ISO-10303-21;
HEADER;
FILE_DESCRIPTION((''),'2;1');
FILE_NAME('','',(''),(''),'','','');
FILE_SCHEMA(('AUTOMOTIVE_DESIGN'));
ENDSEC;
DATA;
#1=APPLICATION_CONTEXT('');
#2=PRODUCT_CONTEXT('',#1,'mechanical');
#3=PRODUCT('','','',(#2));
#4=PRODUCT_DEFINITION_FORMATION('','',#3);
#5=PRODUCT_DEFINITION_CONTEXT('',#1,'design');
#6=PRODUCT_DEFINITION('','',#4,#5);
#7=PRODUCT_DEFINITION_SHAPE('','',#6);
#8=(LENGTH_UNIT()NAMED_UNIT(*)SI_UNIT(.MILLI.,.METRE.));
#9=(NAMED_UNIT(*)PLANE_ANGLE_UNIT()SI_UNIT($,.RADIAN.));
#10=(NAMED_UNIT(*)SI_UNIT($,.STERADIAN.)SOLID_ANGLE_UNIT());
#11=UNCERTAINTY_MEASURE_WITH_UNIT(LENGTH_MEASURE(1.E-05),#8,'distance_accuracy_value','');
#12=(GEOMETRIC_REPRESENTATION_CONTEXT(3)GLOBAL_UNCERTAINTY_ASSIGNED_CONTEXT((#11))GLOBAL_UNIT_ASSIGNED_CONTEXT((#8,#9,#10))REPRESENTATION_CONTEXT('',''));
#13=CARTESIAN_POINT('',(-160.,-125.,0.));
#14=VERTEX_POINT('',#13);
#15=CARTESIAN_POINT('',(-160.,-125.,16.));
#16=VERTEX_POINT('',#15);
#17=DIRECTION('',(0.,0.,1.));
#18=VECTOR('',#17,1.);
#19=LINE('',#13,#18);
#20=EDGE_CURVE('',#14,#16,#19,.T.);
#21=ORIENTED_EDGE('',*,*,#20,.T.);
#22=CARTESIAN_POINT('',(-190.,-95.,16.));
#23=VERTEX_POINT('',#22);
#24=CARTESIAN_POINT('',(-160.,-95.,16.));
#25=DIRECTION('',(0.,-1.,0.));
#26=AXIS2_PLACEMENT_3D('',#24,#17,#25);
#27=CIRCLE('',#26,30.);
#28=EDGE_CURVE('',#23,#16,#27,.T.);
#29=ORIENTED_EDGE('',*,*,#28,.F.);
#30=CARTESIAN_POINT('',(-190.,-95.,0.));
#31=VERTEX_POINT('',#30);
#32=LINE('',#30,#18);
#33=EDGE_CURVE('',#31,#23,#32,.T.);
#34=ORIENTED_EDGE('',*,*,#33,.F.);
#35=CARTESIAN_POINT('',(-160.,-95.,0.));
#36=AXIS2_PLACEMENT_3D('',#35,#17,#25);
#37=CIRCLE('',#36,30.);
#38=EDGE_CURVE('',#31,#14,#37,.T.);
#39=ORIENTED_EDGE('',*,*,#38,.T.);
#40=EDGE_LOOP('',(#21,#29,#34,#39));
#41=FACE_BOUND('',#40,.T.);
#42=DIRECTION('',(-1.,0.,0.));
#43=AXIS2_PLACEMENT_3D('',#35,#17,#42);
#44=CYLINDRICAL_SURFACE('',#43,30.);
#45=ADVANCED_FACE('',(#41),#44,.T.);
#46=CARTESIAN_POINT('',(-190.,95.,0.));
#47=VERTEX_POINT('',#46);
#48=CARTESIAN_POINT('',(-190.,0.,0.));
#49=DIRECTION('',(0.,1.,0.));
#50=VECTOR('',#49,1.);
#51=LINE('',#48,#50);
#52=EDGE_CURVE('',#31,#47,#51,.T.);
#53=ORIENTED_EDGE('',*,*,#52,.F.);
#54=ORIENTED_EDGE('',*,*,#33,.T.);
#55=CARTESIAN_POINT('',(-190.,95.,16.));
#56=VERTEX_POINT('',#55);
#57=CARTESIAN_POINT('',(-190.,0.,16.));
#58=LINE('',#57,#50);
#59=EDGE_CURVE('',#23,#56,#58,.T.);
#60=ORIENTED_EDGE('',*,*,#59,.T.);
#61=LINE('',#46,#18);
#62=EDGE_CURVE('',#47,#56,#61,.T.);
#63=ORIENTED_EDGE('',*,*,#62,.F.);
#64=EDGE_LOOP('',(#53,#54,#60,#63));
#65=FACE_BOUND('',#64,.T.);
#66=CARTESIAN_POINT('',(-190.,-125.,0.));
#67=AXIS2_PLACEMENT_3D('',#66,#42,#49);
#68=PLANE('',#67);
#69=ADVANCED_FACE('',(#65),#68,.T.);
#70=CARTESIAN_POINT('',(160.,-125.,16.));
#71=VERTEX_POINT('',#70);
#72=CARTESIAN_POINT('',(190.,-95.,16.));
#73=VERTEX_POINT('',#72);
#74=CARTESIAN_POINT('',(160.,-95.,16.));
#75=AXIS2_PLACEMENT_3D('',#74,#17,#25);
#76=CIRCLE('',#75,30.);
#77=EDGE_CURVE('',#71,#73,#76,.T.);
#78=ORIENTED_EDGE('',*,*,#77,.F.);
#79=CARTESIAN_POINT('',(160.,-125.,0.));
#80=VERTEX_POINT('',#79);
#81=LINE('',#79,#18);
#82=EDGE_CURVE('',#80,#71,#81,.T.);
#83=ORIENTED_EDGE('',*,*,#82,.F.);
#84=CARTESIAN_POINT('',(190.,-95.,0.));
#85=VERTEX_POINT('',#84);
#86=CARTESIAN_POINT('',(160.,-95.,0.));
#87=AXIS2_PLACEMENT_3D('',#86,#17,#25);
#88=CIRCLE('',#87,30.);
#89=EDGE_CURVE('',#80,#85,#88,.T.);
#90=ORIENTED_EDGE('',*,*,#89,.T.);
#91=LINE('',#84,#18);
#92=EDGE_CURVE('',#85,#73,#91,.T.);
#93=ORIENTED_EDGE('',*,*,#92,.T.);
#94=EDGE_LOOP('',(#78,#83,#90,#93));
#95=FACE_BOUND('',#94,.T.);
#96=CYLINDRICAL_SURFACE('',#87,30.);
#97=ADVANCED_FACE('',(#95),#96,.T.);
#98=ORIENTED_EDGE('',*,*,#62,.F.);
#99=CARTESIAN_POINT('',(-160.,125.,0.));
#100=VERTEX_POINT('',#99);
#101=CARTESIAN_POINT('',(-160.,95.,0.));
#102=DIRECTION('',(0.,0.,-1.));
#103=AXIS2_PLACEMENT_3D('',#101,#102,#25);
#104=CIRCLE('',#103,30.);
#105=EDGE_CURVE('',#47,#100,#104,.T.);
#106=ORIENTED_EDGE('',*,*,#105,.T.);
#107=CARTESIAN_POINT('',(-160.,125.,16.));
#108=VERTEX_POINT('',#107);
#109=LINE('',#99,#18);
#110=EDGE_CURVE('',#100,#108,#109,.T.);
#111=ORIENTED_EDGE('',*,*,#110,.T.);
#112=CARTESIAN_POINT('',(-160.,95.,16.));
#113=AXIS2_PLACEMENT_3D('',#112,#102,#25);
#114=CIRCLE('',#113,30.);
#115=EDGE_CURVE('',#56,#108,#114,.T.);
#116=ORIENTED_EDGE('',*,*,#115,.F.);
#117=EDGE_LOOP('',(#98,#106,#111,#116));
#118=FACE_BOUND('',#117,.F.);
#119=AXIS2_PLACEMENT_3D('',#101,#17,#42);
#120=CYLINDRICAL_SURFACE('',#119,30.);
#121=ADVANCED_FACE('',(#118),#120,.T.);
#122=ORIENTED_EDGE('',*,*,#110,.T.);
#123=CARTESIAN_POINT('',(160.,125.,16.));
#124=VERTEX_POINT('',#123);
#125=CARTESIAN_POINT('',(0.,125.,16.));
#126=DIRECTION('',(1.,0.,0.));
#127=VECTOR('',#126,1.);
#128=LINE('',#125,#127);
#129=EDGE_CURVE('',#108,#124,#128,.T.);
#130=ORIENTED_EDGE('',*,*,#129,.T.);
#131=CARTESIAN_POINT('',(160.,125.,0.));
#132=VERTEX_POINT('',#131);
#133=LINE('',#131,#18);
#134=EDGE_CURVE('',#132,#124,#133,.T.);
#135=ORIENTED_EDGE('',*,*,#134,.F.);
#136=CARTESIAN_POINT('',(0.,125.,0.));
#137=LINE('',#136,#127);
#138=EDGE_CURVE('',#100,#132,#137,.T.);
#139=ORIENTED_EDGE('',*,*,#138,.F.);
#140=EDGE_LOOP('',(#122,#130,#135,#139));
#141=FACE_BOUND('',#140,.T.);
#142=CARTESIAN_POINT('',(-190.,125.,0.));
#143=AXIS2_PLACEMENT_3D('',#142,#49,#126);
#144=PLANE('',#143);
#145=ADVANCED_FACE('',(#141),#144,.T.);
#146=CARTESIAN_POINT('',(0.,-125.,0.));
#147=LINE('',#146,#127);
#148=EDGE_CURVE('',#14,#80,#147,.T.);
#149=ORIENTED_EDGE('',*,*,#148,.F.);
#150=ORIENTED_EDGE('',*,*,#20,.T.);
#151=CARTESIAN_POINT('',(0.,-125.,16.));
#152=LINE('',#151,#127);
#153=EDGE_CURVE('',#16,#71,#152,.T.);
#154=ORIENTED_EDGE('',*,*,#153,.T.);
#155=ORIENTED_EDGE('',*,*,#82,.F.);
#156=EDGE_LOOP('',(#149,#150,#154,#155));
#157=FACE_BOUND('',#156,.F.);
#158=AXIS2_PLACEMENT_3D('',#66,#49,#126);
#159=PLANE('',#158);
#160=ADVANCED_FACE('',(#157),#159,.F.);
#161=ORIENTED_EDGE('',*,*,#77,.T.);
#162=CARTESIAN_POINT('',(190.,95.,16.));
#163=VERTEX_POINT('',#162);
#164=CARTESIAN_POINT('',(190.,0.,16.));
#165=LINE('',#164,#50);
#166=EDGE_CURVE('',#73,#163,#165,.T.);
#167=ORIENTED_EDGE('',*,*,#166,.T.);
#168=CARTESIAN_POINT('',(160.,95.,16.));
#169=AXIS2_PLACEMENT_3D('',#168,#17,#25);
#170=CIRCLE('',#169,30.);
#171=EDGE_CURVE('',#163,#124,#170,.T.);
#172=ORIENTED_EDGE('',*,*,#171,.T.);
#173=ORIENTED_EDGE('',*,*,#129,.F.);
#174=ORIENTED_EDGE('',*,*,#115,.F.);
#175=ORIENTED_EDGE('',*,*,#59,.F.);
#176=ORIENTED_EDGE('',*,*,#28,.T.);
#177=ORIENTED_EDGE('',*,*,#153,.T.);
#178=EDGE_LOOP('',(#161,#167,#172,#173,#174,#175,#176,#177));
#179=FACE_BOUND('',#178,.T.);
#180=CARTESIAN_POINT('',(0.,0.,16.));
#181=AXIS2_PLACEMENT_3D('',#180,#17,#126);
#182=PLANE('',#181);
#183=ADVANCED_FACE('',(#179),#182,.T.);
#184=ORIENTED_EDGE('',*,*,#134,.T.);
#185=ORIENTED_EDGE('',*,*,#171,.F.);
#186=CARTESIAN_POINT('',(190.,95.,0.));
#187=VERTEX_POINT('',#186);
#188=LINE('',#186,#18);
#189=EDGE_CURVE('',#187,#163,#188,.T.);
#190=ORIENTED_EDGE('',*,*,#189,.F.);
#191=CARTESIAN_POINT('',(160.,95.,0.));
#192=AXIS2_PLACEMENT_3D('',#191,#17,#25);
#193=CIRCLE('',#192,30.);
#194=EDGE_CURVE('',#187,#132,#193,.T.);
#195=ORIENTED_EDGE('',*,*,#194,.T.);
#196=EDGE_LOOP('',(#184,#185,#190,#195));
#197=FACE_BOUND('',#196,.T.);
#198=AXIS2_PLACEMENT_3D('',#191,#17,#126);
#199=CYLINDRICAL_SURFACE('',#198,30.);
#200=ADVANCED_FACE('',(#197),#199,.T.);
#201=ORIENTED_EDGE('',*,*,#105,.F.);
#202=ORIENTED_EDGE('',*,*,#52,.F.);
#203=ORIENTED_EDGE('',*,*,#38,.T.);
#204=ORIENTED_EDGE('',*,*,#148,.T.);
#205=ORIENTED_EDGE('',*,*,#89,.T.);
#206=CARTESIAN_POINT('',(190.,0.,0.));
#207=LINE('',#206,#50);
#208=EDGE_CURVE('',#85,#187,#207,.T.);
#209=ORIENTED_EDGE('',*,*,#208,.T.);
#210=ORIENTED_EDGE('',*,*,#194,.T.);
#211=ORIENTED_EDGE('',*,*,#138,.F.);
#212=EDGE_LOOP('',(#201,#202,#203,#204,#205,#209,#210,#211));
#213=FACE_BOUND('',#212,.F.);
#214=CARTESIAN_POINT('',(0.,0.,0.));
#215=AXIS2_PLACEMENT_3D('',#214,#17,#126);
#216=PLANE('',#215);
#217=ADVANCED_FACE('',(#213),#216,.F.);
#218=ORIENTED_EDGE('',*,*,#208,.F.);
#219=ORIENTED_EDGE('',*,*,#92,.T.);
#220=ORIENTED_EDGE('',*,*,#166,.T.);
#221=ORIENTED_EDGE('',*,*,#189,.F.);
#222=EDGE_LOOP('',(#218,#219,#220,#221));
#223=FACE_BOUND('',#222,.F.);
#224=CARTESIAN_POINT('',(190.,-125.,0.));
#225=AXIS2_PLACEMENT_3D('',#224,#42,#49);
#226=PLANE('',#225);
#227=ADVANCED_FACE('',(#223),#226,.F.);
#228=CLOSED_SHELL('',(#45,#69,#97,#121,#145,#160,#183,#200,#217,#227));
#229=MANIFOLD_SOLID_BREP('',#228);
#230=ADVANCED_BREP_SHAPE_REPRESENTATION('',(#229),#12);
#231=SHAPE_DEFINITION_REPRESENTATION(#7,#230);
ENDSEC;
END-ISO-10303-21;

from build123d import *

# Parameters (mm, degrees)
SKETCH_1_W      = 380
SKETCH_1_H      = 250
EXTRUDE_1_DEPTH = 16
FILLET_1_R      = 30


with BuildPart() as part:
    # 草图1 → 凸台-拉伸1 (new body)
    with BuildSketch(Plane.XY):
        Rectangle(SKETCH_1_W, SKETCH_1_H)
    extrude(amount=EXTRUDE_1_DEPTH)

    # 圆角1
    fillet_1_edges = [part.edges().sort_by_distance(p)[0] for p in [
        (-190, 125, 8),
        (190, 125, 8),
        (190, -125, 8),
        (-190, -125, 8),
    ]]
    fillet(fillet_1_edges, radius=FILLET_1_R)


solid = part.part
